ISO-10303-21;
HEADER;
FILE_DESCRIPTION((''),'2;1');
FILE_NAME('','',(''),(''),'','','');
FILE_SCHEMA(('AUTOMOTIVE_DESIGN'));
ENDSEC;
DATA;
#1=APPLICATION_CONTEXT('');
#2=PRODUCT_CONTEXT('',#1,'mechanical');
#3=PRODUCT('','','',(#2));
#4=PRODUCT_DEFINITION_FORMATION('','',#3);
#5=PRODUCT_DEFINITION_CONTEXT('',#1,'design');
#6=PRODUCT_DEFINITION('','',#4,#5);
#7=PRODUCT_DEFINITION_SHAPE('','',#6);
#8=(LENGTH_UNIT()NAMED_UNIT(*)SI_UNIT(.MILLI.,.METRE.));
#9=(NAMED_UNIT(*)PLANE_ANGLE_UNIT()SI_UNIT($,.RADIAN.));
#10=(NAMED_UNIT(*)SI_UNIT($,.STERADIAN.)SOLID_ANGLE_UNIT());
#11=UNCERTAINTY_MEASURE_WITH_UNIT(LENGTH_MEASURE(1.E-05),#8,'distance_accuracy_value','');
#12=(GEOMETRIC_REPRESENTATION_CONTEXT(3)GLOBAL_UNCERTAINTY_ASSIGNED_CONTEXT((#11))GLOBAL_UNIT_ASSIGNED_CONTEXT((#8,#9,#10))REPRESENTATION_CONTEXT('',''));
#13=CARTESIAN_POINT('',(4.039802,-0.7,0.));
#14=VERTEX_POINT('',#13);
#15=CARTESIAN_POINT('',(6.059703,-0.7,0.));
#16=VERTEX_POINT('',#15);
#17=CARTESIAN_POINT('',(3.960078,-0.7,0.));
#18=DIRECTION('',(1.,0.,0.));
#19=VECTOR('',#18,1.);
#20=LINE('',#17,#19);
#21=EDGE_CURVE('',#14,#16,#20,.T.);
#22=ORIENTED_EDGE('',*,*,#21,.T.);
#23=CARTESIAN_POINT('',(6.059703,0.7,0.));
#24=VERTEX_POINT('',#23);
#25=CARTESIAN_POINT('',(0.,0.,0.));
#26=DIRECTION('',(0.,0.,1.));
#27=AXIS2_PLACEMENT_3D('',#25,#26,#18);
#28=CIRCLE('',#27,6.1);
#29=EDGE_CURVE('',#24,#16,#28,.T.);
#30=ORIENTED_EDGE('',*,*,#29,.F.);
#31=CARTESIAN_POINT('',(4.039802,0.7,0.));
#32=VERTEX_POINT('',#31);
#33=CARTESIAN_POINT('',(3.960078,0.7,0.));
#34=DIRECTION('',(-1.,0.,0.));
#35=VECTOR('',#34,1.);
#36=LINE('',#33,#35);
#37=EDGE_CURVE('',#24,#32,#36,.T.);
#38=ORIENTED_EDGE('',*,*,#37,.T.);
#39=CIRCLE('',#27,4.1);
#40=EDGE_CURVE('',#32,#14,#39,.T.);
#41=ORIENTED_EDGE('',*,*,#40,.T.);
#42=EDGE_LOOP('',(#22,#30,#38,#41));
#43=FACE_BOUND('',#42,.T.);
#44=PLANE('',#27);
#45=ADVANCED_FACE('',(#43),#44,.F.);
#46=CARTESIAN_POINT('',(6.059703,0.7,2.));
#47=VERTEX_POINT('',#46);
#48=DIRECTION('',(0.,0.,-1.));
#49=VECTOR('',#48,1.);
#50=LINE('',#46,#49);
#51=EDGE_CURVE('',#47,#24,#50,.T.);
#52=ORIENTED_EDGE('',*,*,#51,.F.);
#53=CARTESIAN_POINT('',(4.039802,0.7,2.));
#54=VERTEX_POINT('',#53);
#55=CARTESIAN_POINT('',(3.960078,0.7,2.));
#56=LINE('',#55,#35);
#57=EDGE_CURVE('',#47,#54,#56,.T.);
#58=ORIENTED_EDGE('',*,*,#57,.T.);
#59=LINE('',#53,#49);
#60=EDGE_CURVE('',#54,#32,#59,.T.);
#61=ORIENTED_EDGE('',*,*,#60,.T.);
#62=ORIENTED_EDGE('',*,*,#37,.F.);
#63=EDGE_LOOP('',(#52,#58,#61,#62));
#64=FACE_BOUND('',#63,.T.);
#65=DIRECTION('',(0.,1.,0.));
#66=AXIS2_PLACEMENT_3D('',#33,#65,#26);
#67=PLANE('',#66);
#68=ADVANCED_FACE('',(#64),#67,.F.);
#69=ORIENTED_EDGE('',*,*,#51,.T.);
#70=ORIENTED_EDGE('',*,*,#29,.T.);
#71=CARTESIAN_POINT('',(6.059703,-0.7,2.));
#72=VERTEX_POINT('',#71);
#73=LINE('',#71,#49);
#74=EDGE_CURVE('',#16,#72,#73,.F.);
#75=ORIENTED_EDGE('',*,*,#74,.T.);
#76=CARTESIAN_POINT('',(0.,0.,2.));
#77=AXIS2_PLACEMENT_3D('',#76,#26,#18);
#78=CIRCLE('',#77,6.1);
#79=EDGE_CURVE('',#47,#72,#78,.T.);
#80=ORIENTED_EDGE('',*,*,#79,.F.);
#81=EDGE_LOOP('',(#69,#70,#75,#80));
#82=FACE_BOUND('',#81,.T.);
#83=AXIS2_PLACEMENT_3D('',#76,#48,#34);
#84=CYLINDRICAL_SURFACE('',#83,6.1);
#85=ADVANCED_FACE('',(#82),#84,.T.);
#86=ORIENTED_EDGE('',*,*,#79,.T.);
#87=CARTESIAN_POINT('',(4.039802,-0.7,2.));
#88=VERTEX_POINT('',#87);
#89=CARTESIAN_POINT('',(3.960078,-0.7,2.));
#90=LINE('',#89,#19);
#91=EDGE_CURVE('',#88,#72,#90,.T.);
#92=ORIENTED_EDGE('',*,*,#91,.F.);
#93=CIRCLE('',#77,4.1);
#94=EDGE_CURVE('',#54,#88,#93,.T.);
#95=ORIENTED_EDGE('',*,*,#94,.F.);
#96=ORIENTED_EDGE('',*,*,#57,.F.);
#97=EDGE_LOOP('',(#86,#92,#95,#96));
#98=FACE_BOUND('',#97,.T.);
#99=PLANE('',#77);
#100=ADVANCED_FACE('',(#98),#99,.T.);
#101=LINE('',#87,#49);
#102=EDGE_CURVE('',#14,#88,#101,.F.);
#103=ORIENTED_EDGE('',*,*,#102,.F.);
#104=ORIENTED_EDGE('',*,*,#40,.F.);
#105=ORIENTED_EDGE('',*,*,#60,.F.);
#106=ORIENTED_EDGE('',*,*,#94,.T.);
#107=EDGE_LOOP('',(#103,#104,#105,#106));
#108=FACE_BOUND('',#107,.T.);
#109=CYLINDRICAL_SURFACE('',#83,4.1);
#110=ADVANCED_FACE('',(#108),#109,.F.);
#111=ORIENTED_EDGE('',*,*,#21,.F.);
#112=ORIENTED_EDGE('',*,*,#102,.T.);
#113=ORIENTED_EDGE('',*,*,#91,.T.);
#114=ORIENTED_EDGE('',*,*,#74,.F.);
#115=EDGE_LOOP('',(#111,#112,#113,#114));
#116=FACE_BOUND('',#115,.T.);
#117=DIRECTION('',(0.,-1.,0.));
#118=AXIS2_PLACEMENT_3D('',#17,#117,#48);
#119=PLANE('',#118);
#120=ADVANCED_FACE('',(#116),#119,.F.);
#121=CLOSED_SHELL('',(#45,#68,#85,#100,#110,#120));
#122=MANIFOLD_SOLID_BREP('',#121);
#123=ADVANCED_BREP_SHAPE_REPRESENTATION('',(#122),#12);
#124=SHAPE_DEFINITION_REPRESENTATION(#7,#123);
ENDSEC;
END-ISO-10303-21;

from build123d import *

# Parameters (mm, degrees)
SKETCH_1_R          = 6.1
SKETCH_1_R_2        = 4.1
EXTRUDE_1_DEPTH     = 2
SKETCH_2_W          = 2.271236488
SKETCH_2_H          = 1.4
CUT_EXTRUDE_1_DEPTH = 9.855506761


with BuildPart() as part:
    # Эскиз1 → Вытянуть1 (new body)
    with BuildSketch(Plane.XY):
        Circle(SKETCH_1_R)
        Circle(SKETCH_1_R_2, mode=Mode.SUBTRACT)
    extrude(amount=EXTRUDE_1_DEPTH)

    # Эскиз2 → Вырез-Вытянуть1 (cut, through all)
    with BuildSketch(Plane.XY.offset(2)):
        with Locations((5.095695926, 0)):
            Rectangle(SKETCH_2_W, SKETCH_2_H)
    extrude(amount=-CUT_EXTRUDE_1_DEPTH, mode=Mode.SUBTRACT)


solid = part.part
